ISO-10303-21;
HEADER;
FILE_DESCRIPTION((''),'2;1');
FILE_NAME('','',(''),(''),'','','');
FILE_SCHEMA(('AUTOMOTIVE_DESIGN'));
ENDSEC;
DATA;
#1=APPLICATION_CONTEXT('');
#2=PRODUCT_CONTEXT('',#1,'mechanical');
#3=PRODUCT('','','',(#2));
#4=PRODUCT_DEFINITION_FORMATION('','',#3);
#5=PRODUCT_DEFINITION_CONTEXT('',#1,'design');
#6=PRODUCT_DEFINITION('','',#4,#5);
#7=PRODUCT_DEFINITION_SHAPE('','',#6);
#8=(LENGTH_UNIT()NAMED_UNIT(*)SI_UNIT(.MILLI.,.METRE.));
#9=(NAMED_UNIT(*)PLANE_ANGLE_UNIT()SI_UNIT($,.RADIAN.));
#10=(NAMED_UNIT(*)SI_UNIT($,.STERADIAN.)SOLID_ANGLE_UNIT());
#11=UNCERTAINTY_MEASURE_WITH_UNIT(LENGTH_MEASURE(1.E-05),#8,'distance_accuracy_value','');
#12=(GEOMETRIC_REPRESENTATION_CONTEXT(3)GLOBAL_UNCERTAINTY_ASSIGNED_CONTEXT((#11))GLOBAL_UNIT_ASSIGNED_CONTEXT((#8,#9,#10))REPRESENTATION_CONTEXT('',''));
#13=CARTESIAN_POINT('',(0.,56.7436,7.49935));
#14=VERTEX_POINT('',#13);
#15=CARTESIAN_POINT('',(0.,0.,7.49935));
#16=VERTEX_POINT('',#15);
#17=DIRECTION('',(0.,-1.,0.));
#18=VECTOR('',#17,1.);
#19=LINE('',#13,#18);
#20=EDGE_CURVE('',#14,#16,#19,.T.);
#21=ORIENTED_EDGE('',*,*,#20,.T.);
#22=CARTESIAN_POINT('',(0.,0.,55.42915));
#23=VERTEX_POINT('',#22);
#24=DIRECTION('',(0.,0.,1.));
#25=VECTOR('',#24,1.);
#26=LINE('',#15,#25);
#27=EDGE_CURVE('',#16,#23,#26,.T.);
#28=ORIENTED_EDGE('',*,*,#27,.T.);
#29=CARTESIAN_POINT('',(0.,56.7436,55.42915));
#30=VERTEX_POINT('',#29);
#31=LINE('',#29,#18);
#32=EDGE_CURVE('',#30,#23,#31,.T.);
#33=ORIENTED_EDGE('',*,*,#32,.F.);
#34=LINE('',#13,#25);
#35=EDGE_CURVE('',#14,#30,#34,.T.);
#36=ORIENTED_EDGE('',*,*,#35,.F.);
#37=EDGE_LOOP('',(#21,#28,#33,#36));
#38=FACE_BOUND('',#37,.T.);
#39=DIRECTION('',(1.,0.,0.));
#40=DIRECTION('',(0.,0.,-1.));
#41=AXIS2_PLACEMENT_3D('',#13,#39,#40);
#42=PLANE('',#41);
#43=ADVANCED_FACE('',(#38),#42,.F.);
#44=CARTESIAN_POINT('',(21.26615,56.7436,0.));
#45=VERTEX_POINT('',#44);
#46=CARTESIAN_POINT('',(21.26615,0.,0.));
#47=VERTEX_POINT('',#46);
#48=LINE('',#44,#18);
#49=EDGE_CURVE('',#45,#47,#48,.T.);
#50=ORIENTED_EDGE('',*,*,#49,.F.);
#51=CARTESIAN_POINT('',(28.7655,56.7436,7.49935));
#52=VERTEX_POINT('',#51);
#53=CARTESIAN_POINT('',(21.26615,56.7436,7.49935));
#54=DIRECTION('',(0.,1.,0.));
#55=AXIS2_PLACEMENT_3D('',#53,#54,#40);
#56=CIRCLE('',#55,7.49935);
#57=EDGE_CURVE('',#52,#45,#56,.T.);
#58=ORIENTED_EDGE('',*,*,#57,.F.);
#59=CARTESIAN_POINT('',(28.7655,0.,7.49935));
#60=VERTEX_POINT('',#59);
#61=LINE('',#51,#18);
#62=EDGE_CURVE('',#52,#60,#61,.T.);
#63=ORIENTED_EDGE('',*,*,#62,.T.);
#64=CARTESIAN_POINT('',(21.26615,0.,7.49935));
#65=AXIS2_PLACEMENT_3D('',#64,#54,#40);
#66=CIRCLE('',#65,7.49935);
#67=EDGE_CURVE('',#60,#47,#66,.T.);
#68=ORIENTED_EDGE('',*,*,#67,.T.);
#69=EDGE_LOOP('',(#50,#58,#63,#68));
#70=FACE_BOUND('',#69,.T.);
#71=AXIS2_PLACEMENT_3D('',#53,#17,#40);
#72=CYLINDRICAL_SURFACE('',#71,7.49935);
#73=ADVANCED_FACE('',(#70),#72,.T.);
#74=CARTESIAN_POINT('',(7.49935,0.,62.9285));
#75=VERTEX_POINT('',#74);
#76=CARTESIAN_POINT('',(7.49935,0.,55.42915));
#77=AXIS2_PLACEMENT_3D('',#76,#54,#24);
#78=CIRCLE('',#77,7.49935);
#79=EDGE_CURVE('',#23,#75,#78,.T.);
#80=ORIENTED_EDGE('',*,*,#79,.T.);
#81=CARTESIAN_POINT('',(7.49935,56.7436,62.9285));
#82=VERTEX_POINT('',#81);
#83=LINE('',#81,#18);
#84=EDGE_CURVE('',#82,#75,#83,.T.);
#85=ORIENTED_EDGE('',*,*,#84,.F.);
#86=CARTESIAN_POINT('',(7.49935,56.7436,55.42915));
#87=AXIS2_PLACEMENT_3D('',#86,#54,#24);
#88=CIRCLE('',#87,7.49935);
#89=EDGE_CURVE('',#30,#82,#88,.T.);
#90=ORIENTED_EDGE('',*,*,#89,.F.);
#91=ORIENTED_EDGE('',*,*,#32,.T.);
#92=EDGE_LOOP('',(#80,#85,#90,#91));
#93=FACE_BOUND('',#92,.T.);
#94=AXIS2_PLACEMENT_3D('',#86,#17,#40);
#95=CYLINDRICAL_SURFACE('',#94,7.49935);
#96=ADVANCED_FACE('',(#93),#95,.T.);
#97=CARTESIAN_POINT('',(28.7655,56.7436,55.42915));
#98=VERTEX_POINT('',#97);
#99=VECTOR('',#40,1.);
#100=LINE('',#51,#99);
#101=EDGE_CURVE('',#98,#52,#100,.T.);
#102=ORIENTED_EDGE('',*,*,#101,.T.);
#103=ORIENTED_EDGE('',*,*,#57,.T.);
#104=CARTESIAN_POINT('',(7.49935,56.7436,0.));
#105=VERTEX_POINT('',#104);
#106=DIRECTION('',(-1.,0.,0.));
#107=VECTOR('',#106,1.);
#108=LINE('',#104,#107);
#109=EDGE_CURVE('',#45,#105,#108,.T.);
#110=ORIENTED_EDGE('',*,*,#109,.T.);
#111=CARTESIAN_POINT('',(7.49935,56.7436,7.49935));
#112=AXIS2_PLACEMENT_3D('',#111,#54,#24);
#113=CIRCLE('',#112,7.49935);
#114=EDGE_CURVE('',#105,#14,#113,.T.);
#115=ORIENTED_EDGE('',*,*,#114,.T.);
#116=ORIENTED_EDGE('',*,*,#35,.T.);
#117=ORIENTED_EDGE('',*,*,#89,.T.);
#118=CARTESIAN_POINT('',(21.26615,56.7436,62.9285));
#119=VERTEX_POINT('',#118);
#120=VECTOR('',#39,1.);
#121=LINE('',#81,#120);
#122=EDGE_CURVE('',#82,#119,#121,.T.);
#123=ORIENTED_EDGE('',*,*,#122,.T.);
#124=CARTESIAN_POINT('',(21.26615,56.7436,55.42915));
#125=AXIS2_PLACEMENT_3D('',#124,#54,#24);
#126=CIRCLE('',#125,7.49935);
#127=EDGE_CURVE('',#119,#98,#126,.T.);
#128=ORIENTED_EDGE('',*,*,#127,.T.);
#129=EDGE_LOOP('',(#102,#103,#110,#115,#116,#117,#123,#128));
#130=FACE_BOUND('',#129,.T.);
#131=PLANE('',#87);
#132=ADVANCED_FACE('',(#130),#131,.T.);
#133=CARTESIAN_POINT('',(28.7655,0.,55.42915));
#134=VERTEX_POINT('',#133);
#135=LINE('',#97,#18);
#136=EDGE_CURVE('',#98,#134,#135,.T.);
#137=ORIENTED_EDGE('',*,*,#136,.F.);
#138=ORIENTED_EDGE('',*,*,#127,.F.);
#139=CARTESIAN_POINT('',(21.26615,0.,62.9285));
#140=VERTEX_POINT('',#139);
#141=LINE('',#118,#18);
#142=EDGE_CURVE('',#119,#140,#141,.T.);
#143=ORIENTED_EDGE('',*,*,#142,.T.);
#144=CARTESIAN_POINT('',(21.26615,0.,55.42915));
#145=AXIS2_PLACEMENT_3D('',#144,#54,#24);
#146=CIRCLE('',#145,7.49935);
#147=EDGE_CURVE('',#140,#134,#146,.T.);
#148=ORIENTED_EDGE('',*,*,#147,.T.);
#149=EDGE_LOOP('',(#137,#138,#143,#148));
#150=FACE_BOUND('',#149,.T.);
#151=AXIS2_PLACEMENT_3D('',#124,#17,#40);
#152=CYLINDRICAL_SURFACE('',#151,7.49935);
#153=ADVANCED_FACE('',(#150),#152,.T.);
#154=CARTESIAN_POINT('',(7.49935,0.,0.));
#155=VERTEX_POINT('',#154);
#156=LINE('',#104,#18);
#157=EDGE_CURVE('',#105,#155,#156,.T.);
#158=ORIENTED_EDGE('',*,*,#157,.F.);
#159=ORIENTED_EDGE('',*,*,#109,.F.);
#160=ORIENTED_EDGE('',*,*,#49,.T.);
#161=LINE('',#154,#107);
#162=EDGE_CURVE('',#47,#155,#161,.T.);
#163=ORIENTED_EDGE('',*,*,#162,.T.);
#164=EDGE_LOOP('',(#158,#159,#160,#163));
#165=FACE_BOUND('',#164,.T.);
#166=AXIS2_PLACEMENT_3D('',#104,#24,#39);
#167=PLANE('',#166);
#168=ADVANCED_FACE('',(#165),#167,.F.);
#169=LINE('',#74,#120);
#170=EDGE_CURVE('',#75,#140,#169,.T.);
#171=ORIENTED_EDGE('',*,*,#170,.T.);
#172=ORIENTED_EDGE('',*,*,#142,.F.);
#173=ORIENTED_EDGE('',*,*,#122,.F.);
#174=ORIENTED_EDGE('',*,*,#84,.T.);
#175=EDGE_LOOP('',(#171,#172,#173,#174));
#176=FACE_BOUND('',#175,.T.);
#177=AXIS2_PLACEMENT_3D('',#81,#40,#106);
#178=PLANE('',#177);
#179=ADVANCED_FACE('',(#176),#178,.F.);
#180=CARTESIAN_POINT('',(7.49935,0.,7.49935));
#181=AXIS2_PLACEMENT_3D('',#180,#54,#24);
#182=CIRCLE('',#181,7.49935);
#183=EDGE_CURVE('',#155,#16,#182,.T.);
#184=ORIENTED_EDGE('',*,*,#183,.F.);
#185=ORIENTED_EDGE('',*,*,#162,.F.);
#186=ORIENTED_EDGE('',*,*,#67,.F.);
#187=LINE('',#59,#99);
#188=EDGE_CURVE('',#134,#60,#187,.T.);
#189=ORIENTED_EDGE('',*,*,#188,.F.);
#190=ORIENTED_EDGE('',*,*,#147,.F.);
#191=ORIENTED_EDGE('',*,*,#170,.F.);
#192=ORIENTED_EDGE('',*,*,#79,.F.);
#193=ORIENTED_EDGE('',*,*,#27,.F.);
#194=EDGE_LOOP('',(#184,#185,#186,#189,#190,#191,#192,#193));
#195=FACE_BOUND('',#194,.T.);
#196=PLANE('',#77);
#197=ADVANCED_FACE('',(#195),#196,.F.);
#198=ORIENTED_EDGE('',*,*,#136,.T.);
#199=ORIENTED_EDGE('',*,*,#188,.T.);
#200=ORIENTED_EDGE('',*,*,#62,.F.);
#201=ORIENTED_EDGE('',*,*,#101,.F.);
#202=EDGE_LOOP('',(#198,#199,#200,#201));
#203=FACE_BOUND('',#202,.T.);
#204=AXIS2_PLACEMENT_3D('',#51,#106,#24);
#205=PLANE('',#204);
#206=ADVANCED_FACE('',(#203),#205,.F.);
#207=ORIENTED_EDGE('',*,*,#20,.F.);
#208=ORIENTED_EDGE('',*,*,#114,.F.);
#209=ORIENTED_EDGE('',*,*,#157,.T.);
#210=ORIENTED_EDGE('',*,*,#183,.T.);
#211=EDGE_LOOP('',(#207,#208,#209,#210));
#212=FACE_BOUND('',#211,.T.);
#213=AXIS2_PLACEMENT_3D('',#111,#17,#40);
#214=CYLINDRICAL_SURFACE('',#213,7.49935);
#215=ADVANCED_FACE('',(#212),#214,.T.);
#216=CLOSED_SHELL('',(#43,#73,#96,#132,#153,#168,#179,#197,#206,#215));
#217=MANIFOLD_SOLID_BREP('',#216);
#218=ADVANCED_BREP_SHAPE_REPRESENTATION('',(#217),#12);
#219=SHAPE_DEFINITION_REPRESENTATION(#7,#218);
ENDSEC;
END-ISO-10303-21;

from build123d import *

# Parameters (mm, degrees)
BOSS_EXTRUDE1_DEPTH = 56.7436


with BuildPart() as part:
    # Sketch1 → Boss-Extrude1 (new body)
    with BuildSketch(Plane(origin=(0, 0, 0), x_dir=(1, 0, 0), z_dir=(0, 1, 0))):
        with BuildLine():
            Line((7.49935, 0), (21.26615, 0))
            ThreePointArc((21.26615, 0), (26.568991239, -2.196508761), (28.7655, -7.49935))
            Line((28.7655, -7.49935), (28.7655, -55.42915))
            ThreePointArc((28.7655, -55.42915), (26.568991239, -60.731991239), (21.26615, -62.9285))
            Line((21.26615, -62.9285), (7.49935, -62.9285))
            ThreePointArc((7.49935, -62.9285), (2.196508761, -60.731991239), (0, -55.42915))
            Line((0, -55.42915), (0, -7.49935))
            ThreePointArc((0, -7.49935), (2.196508761, -2.196508761), (7.49935, 0))
        make_face()
    extrude(amount=BOSS_EXTRUDE1_DEPTH)


solid = part.part
